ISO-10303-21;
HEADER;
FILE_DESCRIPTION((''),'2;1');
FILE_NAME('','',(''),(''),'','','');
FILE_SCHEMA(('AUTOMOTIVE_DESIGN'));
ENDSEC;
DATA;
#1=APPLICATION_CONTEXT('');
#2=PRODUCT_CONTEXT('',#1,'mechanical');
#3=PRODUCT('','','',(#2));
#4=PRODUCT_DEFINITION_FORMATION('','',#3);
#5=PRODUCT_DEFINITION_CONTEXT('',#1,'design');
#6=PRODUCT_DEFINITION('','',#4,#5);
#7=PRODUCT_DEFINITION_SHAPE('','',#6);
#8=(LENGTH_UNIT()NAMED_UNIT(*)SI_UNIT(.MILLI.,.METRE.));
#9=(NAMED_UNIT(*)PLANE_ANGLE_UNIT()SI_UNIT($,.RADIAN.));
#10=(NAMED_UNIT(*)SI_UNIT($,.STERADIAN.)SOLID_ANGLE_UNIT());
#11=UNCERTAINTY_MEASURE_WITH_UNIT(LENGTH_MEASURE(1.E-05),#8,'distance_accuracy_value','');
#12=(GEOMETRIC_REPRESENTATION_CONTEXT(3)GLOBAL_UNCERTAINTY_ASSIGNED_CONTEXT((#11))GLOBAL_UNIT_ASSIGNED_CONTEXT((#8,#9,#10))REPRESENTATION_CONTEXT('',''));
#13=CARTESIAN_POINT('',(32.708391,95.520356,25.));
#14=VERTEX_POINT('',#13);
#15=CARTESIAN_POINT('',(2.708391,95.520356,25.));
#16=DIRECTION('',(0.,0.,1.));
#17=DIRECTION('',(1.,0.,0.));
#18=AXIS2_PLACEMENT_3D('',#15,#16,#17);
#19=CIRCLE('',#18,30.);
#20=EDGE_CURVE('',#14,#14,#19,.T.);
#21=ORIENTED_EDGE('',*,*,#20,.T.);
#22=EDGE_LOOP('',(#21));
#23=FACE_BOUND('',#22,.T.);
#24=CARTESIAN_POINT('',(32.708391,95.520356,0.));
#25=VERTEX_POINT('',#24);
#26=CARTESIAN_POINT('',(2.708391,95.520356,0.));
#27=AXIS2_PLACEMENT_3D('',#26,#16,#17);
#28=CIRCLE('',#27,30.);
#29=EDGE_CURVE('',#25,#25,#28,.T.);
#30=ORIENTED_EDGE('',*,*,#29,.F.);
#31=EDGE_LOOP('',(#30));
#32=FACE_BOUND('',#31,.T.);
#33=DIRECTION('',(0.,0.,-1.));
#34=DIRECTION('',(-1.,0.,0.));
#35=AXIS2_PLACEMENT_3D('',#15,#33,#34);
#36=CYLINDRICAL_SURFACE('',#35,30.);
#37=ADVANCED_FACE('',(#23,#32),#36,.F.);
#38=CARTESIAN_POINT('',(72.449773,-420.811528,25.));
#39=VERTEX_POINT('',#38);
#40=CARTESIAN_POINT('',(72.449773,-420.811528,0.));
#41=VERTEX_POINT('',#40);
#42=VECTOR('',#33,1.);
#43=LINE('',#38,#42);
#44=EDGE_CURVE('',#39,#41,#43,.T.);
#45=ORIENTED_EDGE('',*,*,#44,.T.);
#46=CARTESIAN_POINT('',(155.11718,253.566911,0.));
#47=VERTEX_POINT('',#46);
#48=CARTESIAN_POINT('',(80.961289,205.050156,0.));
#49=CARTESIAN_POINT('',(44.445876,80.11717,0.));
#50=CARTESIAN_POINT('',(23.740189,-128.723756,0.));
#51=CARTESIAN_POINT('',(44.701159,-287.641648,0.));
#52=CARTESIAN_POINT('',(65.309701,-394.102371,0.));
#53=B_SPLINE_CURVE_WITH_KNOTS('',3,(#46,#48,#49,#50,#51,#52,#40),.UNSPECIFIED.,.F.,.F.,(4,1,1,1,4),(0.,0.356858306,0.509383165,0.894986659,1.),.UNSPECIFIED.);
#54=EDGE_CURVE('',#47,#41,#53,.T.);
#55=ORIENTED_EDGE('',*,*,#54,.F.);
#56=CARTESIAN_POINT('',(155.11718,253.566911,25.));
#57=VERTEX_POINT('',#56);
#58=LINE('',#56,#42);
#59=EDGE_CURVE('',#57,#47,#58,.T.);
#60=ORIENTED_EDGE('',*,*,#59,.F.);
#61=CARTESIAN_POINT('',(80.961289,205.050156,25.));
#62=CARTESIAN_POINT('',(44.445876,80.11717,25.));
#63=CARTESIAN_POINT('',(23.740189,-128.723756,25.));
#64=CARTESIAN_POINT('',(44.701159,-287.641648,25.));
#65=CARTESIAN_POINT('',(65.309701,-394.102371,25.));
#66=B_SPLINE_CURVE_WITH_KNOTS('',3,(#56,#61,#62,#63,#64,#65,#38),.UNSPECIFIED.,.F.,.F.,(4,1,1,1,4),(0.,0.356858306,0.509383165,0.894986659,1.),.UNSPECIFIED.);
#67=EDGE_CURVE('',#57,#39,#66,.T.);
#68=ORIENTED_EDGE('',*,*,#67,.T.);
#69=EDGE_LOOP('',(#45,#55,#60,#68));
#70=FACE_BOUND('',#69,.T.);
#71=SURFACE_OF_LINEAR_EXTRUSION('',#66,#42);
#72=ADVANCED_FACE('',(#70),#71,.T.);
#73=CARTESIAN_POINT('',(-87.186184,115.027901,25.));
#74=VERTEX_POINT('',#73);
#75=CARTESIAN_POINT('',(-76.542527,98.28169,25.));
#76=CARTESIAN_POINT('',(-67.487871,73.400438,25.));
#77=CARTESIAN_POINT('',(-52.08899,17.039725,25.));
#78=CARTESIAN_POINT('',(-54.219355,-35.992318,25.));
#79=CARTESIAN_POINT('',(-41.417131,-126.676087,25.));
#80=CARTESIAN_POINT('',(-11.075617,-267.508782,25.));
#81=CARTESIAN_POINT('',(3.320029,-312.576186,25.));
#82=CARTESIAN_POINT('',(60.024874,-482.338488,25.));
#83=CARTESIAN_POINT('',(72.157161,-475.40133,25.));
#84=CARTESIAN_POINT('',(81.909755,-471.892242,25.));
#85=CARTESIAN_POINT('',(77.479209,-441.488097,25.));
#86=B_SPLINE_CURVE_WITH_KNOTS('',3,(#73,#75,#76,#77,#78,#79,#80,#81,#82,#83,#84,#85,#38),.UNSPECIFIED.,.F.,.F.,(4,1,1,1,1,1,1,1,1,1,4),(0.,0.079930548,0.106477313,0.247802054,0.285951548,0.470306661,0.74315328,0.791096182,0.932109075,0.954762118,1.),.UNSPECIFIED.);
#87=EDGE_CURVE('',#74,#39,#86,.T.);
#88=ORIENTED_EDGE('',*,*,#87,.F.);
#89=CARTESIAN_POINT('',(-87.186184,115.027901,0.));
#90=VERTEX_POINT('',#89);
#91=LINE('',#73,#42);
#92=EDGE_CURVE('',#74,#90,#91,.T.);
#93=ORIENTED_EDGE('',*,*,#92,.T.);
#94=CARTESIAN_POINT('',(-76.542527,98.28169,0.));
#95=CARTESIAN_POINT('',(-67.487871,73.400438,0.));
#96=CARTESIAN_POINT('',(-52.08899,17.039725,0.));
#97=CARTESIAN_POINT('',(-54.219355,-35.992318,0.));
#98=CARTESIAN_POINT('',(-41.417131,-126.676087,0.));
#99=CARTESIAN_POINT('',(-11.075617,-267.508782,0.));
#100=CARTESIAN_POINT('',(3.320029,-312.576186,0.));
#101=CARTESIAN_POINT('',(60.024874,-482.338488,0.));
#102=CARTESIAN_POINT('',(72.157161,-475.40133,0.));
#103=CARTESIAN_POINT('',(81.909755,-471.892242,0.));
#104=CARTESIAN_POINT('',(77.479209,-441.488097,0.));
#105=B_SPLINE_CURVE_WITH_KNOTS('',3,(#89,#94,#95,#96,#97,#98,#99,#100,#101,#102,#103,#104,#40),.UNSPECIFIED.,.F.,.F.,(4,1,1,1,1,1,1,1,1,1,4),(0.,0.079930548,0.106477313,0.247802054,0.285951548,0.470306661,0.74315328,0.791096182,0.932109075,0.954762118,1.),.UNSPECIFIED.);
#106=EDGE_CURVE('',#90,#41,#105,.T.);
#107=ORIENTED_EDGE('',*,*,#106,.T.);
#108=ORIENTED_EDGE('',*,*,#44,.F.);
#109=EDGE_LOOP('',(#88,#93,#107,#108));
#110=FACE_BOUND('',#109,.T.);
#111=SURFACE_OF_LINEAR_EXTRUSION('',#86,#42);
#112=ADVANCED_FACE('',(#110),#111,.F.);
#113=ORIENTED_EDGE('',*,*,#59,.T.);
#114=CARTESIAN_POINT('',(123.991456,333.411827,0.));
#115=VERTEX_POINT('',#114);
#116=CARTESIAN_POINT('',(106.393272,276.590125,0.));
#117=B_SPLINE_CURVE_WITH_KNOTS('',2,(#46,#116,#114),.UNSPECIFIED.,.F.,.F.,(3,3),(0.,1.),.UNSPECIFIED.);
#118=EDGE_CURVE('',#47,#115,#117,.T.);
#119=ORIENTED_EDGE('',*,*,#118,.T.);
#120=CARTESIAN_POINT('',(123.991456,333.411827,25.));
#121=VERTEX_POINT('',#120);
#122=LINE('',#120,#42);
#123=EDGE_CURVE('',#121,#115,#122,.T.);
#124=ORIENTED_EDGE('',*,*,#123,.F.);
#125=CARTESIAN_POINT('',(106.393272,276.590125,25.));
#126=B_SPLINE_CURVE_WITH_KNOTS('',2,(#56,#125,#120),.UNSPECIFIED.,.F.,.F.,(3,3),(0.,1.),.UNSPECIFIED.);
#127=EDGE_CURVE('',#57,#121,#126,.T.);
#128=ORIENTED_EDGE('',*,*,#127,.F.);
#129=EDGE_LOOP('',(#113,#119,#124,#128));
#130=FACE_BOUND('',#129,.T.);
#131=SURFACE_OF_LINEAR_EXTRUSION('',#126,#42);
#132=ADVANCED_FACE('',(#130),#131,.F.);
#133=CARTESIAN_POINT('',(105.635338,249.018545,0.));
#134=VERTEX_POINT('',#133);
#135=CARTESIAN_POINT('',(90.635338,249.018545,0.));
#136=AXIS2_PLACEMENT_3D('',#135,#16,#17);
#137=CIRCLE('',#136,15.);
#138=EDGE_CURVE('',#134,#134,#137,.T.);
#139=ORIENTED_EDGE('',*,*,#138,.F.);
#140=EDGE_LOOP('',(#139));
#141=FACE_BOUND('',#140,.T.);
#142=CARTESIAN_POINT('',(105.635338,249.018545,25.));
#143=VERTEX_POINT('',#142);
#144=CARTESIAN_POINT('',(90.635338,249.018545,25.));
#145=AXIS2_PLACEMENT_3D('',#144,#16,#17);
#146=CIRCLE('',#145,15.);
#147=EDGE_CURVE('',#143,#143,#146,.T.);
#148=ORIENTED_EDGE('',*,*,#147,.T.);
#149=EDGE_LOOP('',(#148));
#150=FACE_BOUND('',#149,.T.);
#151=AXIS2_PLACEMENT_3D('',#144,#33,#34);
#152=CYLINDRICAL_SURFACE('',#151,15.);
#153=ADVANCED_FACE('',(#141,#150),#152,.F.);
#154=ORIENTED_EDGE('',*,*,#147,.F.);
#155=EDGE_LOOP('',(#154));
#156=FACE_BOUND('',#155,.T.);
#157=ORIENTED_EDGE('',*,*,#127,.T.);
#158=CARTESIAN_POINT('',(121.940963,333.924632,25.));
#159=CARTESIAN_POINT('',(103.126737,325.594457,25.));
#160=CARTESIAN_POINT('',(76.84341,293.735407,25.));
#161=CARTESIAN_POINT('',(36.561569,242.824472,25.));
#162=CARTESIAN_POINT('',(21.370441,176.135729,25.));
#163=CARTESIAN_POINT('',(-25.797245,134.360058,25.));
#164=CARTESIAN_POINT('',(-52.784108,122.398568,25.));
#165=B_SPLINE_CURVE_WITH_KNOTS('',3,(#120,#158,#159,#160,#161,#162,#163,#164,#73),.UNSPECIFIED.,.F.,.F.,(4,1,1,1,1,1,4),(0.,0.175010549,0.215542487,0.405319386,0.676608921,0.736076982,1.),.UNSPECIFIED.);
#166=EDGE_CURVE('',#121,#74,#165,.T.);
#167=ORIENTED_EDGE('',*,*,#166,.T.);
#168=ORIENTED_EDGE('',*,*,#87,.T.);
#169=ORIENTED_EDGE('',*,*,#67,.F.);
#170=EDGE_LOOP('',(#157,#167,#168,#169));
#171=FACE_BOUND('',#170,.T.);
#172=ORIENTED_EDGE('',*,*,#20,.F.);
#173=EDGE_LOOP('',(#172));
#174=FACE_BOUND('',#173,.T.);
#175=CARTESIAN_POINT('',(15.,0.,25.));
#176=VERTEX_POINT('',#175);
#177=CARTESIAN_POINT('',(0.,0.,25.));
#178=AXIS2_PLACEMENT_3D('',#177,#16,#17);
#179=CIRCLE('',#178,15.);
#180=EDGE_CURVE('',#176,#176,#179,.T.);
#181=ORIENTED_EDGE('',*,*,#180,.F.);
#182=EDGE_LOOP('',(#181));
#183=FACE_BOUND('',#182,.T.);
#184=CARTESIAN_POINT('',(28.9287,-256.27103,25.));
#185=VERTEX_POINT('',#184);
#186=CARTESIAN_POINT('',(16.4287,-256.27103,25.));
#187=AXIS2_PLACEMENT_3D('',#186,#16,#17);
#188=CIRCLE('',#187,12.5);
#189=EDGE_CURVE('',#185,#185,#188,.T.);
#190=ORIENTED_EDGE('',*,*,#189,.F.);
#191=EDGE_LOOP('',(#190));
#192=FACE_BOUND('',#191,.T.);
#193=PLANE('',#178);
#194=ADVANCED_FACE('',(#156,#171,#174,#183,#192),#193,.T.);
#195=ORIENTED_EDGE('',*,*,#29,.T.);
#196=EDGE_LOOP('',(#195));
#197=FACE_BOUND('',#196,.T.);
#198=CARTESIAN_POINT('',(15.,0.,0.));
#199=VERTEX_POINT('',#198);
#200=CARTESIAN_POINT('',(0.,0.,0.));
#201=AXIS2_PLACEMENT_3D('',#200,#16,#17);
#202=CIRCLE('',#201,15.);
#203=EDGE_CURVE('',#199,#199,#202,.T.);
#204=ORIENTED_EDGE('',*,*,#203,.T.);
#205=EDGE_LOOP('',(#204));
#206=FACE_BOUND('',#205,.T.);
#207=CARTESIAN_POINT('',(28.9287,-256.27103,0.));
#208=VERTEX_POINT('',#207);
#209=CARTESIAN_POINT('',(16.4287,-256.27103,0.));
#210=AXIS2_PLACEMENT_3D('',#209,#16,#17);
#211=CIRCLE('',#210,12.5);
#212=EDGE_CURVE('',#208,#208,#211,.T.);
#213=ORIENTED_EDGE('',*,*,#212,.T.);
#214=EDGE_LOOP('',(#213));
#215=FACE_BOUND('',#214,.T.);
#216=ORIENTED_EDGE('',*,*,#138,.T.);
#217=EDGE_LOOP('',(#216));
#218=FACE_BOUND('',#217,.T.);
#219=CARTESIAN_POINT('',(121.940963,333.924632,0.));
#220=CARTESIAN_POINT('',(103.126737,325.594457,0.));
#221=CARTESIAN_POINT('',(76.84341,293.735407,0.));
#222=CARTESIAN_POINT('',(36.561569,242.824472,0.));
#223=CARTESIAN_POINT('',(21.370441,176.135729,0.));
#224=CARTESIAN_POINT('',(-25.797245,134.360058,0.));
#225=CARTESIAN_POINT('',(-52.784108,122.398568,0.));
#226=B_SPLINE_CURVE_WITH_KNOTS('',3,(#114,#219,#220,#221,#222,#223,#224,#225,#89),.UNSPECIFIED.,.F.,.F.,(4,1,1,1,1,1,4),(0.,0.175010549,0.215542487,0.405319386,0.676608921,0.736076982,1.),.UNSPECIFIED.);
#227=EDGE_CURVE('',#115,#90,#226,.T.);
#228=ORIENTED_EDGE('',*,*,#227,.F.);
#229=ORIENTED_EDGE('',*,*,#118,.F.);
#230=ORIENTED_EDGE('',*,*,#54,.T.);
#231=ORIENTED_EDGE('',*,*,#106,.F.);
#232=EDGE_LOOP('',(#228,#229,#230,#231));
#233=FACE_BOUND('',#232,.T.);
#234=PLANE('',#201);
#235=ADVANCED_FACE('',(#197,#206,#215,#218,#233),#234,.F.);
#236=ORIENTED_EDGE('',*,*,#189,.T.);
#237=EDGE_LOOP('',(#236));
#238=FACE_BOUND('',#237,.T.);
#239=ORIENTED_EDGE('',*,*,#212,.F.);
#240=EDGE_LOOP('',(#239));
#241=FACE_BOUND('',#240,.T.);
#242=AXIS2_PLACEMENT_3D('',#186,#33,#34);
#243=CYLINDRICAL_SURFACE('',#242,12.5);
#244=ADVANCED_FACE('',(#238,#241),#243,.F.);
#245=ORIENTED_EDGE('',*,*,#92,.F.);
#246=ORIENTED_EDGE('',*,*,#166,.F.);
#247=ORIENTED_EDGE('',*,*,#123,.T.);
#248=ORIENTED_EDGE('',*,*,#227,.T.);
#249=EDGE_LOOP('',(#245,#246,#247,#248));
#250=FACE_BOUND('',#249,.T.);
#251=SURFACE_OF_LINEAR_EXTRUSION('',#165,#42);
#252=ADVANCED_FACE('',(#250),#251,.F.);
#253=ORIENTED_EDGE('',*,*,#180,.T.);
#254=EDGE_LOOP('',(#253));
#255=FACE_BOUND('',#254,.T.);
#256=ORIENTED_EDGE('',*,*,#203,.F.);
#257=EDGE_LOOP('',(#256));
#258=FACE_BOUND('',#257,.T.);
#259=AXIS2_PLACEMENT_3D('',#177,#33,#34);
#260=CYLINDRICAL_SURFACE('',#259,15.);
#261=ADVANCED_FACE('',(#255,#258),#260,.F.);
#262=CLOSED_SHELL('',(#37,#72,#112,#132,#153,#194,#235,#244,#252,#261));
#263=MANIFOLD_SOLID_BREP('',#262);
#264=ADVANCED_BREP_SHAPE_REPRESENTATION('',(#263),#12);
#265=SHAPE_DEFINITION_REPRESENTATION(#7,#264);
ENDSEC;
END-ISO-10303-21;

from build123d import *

# Parameters (mm, degrees)
SKETCH1_R           = 15
SKETCH1_R_2         = 12.5
SKETCH1_R_3         = 30
BOSS_EXTRUDE1_DEPTH = 25


with BuildPart() as part:
    # Sketch1 → Boss-Extrude1 (new body)
    with BuildSketch(Plane.XY):
        with BuildLine():
            add(Edge.make_bspline(
                [(155.117180068, 253.566910875), (80.961288669, 205.050155561), (44.445875871, 80.117169691), (23.740189073, -128.723756166), (44.701158868, -287.641647918), (65.309701333, -394.102371299), (72.449772872, -420.811527797)],
                knots=[0, 0, 0, 0, 0.356858306, 0.509383165, 0.894986659, 1, 1, 1, 1], degree=3))
            add(Edge.make_bspline(
                [(-87.186184352, 115.027901144), (-76.542527264, 98.281689617), (-67.48787126, 73.400437605), (-52.088989723, 17.03972506), (-54.219354673, -35.992317725), (-41.417131006, -126.676087435), (-11.075617496, -267.50878217), (3.320029035, -312.576186435), (60.024873998, -482.338487704), (72.157160931, -475.401329808), (81.909755072, -471.892242374), (77.479208572, -441.488096788), (72.449772872, -420.811527797)],
                knots=[0, 0, 0, 0, 0.079930548, 0.106477313, 0.247802054, 0.285951548, 0.470306661, 0.74315328, 0.791096182, 0.932109075, 0.954762118, 1, 1, 1, 1], degree=3))
            add(Edge.make_bspline(
                [(123.991455878, 333.411826796), (121.940962733, 333.924631612), (103.126737259, 325.59445724), (76.843409942, 293.735407357), (36.561568956, 242.824472463), (21.370441055, 176.135728769), (-25.797245054, 134.360058233), (-52.784107845, 122.398568009), (-87.186184352, 115.027901144)],
                knots=[0, 0, 0, 0, 0.175010549, 0.215542487, 0.405319386, 0.676608921, 0.736076982, 1, 1, 1, 1], degree=3))
            add(Edge.make_bspline(
                [(155.117180068, 253.566910875), (106.393272385, 276.590125095), (123.991455878, 333.411826796)],
                knots=[0, 0, 0, 1, 1, 1], degree=2))
        make_face()
        with Locations((90.635337981, 249.018544508)):
            Circle(SKETCH1_R, mode=Mode.SUBTRACT)
        Circle(SKETCH1_R, mode=Mode.SUBTRACT)
        with Locations((16.428699859, -256.271030274)):
            Circle(SKETCH1_R_2, mode=Mode.SUBTRACT)
        with Locations((2.708390911, 95.520355695)):
            Circle(SKETCH1_R_3, mode=Mode.SUBTRACT)
    extrude(amount=BOSS_EXTRUDE1_DEPTH)


solid = part.part
